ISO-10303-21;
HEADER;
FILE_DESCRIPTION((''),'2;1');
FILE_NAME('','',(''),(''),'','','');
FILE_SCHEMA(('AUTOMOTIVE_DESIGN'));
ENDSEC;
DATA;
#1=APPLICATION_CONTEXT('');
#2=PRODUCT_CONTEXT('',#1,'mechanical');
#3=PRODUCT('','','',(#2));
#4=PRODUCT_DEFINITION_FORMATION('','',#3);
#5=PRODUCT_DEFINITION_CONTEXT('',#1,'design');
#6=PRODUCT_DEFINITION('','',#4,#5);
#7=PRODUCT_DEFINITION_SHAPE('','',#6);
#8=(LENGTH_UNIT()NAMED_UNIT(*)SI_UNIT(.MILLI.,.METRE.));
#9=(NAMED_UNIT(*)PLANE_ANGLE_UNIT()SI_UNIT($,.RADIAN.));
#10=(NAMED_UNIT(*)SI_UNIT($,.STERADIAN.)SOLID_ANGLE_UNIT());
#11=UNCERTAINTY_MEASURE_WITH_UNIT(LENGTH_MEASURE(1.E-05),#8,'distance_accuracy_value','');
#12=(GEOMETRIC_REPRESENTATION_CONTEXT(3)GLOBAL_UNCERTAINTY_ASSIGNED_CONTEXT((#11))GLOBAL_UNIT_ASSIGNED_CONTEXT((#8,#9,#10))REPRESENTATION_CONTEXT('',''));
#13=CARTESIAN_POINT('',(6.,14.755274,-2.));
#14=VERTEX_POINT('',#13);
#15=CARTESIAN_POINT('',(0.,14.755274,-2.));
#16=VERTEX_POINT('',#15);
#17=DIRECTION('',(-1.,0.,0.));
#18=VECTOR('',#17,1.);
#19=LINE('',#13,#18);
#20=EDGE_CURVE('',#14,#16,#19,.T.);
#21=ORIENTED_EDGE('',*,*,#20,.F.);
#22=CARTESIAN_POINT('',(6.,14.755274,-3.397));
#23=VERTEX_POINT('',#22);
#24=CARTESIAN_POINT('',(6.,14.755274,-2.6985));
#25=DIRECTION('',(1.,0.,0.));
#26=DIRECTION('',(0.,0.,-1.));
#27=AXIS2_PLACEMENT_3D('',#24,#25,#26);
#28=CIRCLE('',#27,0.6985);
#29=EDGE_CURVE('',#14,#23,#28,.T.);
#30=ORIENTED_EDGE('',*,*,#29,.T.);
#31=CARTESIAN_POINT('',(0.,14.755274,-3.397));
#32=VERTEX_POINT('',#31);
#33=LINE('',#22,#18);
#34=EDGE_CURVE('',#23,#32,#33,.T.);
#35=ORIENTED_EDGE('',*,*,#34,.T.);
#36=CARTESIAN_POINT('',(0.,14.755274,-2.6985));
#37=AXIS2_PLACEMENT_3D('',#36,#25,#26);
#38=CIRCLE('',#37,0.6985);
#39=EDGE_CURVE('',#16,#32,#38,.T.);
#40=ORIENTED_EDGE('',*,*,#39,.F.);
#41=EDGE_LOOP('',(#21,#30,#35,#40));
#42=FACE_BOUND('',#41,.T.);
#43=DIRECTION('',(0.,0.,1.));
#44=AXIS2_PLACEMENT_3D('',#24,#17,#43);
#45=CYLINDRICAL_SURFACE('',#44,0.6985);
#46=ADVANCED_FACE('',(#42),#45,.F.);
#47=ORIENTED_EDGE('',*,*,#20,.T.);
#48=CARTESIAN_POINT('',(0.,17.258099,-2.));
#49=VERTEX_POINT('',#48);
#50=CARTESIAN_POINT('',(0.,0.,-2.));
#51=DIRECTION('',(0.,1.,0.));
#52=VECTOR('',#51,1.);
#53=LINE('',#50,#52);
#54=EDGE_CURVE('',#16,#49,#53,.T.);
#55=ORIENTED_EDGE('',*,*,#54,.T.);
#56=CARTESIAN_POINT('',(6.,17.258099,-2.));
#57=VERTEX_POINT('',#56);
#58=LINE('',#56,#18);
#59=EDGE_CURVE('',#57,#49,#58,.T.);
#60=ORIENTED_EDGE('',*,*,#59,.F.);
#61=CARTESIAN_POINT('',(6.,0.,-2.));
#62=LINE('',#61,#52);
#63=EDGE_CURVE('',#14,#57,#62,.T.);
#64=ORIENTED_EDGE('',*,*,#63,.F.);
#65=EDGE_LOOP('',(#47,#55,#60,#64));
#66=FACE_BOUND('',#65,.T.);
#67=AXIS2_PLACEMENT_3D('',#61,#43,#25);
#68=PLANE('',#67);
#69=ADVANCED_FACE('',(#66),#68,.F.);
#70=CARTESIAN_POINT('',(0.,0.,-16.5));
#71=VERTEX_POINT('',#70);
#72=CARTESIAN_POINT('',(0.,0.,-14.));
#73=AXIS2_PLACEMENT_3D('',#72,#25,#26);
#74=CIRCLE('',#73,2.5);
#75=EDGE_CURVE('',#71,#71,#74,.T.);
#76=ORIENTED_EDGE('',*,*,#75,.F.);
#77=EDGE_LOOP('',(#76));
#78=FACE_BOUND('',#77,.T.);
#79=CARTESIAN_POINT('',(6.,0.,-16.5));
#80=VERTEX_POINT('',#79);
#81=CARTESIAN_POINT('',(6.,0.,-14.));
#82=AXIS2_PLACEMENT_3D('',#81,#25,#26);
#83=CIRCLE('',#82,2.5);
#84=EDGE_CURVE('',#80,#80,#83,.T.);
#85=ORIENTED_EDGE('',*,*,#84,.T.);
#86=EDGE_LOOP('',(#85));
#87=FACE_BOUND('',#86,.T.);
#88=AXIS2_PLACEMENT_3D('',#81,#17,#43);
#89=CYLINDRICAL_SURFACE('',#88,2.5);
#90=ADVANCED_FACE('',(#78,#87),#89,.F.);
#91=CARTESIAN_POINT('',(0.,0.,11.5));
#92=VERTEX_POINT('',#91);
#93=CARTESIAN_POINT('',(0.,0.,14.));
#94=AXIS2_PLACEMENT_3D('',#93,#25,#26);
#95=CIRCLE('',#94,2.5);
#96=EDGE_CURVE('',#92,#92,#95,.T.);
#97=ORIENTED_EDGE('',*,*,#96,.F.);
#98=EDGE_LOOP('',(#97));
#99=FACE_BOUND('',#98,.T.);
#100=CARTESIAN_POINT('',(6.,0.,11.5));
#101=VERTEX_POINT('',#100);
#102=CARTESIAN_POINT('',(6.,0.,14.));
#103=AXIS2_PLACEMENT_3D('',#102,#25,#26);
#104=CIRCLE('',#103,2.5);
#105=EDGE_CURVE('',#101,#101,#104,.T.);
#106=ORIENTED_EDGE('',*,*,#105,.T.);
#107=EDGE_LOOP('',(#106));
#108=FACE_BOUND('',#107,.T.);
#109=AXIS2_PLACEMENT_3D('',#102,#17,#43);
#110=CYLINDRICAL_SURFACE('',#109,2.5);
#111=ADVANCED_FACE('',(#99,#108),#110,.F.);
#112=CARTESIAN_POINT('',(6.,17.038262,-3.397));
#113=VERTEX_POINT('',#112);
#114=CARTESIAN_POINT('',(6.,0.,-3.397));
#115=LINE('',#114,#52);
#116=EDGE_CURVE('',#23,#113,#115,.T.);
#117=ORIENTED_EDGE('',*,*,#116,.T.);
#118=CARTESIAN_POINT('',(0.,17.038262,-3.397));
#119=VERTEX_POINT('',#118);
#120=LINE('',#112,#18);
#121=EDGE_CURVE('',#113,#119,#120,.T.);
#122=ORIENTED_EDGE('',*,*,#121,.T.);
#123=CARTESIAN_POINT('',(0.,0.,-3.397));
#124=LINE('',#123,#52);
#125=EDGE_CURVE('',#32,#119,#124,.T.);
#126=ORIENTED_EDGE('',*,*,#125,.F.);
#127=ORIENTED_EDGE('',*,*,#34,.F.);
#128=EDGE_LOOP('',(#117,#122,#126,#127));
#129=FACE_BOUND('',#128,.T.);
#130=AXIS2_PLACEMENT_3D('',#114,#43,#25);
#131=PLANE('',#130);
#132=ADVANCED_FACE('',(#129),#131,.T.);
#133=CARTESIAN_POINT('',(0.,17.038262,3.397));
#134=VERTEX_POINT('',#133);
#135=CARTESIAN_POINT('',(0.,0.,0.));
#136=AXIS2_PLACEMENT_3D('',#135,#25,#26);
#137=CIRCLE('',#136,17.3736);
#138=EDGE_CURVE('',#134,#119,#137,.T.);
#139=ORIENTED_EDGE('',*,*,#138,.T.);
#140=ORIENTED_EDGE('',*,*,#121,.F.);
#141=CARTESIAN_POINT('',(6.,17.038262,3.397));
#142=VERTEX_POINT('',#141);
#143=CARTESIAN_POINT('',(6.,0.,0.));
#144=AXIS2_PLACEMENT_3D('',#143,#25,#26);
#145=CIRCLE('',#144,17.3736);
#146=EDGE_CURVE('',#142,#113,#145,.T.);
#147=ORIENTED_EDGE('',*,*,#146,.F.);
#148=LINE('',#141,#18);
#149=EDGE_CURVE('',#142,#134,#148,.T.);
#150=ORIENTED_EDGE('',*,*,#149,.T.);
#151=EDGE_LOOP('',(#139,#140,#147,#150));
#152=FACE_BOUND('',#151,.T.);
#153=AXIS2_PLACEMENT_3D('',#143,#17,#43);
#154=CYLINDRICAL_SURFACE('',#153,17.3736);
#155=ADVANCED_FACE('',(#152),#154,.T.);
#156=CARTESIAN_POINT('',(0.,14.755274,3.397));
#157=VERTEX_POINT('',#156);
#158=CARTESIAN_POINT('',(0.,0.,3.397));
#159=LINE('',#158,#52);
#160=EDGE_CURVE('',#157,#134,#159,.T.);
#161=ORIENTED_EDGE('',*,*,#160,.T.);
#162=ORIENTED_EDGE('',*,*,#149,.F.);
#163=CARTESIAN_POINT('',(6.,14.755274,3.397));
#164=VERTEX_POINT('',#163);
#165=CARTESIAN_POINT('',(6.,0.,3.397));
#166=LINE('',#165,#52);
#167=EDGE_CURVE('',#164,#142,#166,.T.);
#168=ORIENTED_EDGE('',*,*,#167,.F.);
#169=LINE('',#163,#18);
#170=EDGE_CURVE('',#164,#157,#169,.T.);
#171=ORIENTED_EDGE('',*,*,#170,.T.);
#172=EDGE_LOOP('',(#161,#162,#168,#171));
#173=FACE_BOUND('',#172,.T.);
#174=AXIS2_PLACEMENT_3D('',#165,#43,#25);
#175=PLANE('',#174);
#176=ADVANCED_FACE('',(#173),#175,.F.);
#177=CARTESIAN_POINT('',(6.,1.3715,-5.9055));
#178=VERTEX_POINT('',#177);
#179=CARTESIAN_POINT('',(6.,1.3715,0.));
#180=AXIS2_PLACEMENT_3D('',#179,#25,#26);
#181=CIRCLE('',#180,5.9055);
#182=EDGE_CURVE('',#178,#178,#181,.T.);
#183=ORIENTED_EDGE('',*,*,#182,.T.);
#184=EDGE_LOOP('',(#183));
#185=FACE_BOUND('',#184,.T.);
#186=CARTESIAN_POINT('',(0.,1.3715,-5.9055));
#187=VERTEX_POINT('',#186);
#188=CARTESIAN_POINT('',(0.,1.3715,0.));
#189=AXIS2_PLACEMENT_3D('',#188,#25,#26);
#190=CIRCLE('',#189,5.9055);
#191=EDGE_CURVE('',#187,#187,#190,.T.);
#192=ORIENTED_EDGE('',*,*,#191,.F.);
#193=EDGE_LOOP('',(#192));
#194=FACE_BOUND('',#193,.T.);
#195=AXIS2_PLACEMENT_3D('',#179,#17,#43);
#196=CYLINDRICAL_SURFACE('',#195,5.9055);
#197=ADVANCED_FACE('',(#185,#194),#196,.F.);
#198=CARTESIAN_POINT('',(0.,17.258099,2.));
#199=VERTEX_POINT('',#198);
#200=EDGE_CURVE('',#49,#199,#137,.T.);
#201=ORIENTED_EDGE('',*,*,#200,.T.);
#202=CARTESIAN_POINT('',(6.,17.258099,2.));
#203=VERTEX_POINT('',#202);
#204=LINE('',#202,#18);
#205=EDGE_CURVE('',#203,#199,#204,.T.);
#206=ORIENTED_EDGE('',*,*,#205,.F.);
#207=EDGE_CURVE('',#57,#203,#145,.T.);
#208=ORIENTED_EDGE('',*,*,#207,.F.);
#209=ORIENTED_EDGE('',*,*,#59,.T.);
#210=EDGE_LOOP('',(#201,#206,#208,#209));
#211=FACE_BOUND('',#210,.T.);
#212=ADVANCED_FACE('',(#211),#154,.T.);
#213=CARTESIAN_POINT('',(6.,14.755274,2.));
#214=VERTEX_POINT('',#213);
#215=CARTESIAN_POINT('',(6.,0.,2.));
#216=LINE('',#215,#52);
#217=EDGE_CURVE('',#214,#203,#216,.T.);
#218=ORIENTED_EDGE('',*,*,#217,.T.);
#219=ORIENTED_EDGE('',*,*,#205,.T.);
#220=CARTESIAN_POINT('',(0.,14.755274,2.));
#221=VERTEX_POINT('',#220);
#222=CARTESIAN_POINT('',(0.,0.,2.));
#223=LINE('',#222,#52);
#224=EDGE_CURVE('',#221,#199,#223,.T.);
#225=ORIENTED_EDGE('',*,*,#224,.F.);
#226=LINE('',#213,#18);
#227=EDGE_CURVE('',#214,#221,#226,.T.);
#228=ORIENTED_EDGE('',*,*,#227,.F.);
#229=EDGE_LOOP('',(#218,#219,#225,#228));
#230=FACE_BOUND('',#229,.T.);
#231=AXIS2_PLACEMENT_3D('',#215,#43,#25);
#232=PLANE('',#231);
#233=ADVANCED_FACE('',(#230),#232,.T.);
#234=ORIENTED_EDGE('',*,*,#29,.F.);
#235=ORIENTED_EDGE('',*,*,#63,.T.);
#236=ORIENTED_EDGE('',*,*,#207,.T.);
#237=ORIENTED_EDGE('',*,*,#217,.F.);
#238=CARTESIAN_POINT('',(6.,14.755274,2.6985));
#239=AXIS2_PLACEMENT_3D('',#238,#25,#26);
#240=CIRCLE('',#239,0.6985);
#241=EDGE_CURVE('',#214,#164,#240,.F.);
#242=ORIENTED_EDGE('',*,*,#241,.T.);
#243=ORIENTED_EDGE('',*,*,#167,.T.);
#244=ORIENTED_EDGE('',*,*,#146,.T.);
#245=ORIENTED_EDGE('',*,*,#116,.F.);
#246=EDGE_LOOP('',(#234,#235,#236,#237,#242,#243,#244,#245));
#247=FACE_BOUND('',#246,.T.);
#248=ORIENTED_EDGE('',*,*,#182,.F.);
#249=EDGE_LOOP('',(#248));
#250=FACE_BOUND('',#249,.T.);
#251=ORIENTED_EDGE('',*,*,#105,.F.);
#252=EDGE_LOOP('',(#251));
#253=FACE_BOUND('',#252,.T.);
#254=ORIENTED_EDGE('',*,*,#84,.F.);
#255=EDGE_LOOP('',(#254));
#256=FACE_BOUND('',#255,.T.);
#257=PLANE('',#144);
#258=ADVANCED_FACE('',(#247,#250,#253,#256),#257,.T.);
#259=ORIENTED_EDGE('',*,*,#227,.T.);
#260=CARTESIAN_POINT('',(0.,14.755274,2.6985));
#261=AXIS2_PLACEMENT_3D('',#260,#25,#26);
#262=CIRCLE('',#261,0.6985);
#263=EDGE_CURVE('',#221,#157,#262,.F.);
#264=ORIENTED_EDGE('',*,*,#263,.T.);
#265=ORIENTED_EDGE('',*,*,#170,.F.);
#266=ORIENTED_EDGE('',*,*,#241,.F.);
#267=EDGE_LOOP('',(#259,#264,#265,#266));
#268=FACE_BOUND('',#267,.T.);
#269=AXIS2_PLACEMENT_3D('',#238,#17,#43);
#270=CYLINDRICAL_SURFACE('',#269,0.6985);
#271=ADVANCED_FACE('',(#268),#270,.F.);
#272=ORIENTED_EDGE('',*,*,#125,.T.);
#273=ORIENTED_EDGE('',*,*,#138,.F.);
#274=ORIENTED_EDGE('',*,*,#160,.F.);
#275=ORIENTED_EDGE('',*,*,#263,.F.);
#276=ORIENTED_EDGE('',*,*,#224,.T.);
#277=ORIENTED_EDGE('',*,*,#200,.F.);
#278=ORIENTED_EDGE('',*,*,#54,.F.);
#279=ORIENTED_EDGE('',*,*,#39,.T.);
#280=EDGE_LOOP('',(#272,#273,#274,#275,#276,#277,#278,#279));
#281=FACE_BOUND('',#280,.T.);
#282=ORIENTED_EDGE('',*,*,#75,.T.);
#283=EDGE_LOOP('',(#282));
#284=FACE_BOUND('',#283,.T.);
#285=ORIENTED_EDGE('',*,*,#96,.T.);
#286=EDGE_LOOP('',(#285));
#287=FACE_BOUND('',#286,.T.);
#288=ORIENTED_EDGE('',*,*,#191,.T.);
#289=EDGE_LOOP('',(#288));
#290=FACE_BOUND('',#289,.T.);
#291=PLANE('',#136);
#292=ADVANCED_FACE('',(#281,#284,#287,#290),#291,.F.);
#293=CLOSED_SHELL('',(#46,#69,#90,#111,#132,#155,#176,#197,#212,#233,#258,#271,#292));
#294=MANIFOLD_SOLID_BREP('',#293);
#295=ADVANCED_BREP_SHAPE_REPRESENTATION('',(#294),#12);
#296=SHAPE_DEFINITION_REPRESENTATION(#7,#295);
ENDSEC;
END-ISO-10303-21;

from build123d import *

# Parameters (mm, degrees)
SKETCH1_R           = 2.5
SKETCH1_R_2         = 5.9055
BOSS_EXTRUDE1_DEPTH = 6


with BuildPart() as part:
    # Sketch1 → Boss-Extrude1 (new body)
    with BuildSketch(Plane(origin=(0, 0, 0), x_dir=(0, 0, -1), z_dir=(1, 0, 0))):
        with BuildLine():
            ThreePointArc((3.397, 14.755273557), (2.6985, 14.056773557), (2, 14.755273557))
            Line((2, 14.755273557), (2, 17.25809888))
            ThreePointArc((2, 17.25809888), (0, 17.3736), (-2, 17.25809888))
            Line((-2, 17.25809888), (-2, 14.755273557))
            ThreePointArc((-2, 14.755273557), (-2.6985, 14.056773557), (-3.397, 14.755273557))
            Line((-3.397, 14.755273557), (-3.397, 17.038261882))
            ThreePointArc((-3.397, 17.038261882), (-11.018708131, -13.432425249), (17.3736, 0))
            ThreePointArc((17.3736, 0), (13.432425249, 11.018708131), (3.397, 17.038261882))
            Line((3.397, 17.038261882), (3.397, 14.755273557))
        make_face()
        with Locations((-14, 0)):
            Circle(SKETCH1_R, mode=Mode.SUBTRACT)
        with Locations((14, 0)):
            Circle(SKETCH1_R, mode=Mode.SUBTRACT)
        with Locations((0, 1.3715)):
            Circle(SKETCH1_R_2, mode=Mode.SUBTRACT)
    extrude(amount=BOSS_EXTRUDE1_DEPTH)


solid = part.part
